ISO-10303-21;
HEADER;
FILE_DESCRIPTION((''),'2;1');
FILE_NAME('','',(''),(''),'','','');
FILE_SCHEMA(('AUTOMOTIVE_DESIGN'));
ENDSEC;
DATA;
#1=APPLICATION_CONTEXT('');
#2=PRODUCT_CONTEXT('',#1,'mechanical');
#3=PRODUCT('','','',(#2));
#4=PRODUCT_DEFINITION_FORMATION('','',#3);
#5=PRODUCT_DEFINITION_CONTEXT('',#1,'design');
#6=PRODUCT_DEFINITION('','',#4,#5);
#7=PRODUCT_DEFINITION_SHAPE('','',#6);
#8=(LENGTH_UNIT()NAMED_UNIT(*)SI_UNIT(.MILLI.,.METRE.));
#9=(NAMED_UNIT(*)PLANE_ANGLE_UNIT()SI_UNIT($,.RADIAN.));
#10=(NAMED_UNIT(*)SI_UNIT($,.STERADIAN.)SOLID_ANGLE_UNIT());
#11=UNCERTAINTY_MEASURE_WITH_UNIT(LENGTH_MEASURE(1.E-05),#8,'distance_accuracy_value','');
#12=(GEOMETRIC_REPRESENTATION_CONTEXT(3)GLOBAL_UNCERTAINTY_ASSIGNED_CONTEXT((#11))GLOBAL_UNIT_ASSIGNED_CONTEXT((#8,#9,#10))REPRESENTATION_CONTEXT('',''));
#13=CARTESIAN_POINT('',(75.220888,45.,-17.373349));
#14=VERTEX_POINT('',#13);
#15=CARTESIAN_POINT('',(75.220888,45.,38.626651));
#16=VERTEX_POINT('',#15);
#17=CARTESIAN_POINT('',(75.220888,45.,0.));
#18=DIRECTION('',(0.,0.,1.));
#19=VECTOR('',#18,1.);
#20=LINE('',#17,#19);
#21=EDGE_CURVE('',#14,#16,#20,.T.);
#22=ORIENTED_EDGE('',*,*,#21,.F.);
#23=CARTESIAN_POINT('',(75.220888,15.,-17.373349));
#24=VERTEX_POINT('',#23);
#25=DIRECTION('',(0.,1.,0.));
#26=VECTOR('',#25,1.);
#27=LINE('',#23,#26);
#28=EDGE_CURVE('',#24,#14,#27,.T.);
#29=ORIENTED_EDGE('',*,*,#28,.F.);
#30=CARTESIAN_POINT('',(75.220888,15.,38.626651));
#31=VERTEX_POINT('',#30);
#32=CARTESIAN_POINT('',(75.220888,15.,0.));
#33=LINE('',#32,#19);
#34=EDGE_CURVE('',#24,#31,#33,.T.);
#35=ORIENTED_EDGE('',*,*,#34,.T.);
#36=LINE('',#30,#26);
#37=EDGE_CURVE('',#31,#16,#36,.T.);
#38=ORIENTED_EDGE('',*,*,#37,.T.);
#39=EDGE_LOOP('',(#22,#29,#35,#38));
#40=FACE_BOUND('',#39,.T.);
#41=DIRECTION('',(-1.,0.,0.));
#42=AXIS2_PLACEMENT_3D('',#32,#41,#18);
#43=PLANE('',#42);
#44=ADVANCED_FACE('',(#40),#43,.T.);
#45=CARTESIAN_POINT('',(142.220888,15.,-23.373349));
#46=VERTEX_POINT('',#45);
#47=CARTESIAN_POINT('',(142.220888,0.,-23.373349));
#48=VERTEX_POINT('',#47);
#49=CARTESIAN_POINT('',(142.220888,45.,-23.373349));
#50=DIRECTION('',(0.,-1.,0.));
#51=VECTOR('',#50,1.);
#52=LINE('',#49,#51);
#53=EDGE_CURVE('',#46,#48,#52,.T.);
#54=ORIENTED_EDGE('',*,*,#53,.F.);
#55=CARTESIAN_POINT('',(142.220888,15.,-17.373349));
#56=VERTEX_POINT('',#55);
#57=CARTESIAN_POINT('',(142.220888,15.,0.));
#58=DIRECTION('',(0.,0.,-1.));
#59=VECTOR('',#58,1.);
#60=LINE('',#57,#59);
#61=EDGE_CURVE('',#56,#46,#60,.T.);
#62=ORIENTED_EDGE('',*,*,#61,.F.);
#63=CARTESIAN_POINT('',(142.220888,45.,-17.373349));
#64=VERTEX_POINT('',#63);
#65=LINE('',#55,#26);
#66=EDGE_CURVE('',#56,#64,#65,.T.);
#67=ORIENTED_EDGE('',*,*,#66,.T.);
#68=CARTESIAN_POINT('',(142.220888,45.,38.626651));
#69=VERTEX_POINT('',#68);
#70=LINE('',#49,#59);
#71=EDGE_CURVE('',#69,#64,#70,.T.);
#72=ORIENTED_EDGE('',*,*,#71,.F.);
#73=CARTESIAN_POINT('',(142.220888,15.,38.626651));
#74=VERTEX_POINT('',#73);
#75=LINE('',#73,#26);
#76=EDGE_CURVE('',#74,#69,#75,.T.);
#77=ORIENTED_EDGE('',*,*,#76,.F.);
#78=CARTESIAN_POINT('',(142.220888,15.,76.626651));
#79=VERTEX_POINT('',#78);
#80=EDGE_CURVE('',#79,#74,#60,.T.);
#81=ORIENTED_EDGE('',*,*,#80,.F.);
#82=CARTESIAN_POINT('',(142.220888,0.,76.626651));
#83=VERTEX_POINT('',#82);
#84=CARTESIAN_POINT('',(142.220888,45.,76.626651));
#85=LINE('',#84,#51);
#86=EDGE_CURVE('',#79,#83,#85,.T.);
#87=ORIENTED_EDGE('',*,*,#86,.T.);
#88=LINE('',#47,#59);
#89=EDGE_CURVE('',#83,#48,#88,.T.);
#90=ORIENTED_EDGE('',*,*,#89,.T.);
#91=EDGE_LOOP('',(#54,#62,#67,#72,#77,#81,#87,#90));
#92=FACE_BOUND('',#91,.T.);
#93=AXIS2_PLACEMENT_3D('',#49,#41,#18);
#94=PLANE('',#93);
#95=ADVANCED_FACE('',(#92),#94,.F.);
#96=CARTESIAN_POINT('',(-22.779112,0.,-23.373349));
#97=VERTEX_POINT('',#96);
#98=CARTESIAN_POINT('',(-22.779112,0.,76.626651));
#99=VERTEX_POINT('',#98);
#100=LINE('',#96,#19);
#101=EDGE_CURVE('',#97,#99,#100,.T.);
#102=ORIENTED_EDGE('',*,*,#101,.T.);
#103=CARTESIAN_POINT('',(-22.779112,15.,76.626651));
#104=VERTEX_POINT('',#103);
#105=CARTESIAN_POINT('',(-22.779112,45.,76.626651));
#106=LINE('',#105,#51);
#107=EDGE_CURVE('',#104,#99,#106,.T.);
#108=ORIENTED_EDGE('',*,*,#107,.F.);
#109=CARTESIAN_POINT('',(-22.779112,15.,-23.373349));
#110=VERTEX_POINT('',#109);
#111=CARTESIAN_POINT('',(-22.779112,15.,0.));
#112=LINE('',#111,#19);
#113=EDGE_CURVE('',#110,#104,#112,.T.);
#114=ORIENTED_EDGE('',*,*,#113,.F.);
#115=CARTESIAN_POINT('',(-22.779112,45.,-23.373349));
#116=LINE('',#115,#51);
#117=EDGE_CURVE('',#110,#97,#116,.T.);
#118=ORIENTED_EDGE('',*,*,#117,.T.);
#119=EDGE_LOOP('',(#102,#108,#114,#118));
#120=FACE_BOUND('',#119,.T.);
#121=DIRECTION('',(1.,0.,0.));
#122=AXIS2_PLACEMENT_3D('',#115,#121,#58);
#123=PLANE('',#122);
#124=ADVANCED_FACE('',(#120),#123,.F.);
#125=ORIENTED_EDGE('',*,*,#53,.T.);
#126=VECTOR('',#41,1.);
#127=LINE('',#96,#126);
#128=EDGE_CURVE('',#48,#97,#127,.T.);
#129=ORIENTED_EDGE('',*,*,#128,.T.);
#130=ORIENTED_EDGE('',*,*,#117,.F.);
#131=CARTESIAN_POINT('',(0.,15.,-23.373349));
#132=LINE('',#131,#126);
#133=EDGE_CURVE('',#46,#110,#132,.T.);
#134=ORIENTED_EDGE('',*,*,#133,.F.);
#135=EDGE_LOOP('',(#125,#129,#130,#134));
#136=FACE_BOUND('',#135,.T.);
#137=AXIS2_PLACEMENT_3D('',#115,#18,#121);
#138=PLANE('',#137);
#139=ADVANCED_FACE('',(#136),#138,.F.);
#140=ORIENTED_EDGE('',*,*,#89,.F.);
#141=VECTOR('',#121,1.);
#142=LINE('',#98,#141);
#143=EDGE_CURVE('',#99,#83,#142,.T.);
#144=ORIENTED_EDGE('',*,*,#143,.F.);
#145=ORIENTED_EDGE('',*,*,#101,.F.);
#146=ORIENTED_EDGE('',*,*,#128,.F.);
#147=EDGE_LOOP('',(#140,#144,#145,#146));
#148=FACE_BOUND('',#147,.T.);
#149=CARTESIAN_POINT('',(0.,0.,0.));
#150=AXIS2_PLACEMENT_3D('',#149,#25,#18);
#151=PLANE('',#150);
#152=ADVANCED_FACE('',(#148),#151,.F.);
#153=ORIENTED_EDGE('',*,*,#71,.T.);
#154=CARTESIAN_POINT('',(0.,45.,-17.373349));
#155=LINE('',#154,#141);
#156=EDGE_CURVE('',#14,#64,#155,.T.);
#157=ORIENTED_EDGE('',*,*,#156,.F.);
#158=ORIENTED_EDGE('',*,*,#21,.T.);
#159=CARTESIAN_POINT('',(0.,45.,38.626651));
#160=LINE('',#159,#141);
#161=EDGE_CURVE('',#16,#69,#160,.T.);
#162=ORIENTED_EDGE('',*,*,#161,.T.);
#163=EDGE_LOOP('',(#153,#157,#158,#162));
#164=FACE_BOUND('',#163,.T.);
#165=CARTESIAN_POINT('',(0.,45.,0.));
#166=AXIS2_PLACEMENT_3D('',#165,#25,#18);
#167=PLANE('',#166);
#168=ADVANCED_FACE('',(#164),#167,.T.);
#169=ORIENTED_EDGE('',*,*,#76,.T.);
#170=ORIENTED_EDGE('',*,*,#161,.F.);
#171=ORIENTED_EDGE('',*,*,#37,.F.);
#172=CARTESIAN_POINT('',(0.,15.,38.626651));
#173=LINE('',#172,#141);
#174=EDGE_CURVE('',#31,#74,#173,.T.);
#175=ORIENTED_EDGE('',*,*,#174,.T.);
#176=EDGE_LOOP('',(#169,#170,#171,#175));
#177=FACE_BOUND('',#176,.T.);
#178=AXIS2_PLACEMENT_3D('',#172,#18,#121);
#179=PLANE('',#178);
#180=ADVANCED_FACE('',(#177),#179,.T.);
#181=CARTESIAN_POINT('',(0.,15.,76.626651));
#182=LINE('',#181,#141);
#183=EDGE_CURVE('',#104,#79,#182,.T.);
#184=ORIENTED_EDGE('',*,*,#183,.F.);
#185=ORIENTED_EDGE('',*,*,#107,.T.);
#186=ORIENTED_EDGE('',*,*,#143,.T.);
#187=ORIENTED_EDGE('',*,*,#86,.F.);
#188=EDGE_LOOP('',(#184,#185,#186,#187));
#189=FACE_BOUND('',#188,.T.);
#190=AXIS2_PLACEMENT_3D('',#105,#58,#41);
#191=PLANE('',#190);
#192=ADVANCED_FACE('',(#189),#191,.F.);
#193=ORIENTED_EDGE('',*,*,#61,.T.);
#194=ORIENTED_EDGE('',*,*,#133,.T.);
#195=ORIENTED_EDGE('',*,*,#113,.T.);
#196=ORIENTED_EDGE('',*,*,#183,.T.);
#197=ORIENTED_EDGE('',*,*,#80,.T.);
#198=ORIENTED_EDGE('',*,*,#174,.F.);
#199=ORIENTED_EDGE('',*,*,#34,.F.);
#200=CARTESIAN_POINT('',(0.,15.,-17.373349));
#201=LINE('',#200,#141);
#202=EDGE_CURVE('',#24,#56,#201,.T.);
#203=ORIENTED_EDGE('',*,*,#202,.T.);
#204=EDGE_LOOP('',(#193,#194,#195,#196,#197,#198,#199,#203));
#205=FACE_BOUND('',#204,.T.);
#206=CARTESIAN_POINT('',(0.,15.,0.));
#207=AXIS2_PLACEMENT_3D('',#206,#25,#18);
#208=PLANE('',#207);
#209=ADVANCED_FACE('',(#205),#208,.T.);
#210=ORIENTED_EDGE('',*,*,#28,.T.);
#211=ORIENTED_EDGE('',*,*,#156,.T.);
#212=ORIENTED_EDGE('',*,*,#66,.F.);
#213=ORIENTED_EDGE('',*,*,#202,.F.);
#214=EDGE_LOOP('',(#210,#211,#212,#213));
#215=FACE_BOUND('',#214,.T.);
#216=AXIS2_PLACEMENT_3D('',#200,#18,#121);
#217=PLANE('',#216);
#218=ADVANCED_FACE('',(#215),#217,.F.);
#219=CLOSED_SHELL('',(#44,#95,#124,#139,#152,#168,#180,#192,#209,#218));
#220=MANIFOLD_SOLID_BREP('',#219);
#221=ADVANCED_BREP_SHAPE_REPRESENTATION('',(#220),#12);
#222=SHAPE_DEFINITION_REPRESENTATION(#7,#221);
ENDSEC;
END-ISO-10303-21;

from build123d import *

# Parameters (mm, degrees)
SKETCH1_W           = 165
SKETCH1_H           = 100
BOSS_EXTRUDE1_DEPTH = 45
CUT_EXTRUDE1_DEPTH  = 30


with BuildPart() as part:
    # Sketch1 → Boss-Extrude1 (new body)
    with BuildSketch(Plane(origin=(0, 0, 0), x_dir=(1, 0, 0), z_dir=(0, 1, 0))):
        with Locations((59.720888355, -26.62665066)):
            Rectangle(SKETCH1_W, SKETCH1_H)
    extrude(amount=BOSS_EXTRUDE1_DEPTH)

    # Sketch2 → Cut-Extrude1 (cut)
    with BuildSketch(Plane(origin=(0, 45, 0), x_dir=(1, 0, 0), z_dir=(0, 1, 0))):
        Polygon((75.220888355, -38.62665066), (75.220888355, 17.37334934), (142.220888355, 17.37334934), (142.220888355, 23.37334934), (-22.779111645, 23.37334934), (-22.779111645, -76.62665066), (142.220888355, -76.62665066), (142.220888355, -38.62665066), align=None)
    extrude(amount=-CUT_EXTRUDE1_DEPTH, mode=Mode.SUBTRACT)


solid = part.part
